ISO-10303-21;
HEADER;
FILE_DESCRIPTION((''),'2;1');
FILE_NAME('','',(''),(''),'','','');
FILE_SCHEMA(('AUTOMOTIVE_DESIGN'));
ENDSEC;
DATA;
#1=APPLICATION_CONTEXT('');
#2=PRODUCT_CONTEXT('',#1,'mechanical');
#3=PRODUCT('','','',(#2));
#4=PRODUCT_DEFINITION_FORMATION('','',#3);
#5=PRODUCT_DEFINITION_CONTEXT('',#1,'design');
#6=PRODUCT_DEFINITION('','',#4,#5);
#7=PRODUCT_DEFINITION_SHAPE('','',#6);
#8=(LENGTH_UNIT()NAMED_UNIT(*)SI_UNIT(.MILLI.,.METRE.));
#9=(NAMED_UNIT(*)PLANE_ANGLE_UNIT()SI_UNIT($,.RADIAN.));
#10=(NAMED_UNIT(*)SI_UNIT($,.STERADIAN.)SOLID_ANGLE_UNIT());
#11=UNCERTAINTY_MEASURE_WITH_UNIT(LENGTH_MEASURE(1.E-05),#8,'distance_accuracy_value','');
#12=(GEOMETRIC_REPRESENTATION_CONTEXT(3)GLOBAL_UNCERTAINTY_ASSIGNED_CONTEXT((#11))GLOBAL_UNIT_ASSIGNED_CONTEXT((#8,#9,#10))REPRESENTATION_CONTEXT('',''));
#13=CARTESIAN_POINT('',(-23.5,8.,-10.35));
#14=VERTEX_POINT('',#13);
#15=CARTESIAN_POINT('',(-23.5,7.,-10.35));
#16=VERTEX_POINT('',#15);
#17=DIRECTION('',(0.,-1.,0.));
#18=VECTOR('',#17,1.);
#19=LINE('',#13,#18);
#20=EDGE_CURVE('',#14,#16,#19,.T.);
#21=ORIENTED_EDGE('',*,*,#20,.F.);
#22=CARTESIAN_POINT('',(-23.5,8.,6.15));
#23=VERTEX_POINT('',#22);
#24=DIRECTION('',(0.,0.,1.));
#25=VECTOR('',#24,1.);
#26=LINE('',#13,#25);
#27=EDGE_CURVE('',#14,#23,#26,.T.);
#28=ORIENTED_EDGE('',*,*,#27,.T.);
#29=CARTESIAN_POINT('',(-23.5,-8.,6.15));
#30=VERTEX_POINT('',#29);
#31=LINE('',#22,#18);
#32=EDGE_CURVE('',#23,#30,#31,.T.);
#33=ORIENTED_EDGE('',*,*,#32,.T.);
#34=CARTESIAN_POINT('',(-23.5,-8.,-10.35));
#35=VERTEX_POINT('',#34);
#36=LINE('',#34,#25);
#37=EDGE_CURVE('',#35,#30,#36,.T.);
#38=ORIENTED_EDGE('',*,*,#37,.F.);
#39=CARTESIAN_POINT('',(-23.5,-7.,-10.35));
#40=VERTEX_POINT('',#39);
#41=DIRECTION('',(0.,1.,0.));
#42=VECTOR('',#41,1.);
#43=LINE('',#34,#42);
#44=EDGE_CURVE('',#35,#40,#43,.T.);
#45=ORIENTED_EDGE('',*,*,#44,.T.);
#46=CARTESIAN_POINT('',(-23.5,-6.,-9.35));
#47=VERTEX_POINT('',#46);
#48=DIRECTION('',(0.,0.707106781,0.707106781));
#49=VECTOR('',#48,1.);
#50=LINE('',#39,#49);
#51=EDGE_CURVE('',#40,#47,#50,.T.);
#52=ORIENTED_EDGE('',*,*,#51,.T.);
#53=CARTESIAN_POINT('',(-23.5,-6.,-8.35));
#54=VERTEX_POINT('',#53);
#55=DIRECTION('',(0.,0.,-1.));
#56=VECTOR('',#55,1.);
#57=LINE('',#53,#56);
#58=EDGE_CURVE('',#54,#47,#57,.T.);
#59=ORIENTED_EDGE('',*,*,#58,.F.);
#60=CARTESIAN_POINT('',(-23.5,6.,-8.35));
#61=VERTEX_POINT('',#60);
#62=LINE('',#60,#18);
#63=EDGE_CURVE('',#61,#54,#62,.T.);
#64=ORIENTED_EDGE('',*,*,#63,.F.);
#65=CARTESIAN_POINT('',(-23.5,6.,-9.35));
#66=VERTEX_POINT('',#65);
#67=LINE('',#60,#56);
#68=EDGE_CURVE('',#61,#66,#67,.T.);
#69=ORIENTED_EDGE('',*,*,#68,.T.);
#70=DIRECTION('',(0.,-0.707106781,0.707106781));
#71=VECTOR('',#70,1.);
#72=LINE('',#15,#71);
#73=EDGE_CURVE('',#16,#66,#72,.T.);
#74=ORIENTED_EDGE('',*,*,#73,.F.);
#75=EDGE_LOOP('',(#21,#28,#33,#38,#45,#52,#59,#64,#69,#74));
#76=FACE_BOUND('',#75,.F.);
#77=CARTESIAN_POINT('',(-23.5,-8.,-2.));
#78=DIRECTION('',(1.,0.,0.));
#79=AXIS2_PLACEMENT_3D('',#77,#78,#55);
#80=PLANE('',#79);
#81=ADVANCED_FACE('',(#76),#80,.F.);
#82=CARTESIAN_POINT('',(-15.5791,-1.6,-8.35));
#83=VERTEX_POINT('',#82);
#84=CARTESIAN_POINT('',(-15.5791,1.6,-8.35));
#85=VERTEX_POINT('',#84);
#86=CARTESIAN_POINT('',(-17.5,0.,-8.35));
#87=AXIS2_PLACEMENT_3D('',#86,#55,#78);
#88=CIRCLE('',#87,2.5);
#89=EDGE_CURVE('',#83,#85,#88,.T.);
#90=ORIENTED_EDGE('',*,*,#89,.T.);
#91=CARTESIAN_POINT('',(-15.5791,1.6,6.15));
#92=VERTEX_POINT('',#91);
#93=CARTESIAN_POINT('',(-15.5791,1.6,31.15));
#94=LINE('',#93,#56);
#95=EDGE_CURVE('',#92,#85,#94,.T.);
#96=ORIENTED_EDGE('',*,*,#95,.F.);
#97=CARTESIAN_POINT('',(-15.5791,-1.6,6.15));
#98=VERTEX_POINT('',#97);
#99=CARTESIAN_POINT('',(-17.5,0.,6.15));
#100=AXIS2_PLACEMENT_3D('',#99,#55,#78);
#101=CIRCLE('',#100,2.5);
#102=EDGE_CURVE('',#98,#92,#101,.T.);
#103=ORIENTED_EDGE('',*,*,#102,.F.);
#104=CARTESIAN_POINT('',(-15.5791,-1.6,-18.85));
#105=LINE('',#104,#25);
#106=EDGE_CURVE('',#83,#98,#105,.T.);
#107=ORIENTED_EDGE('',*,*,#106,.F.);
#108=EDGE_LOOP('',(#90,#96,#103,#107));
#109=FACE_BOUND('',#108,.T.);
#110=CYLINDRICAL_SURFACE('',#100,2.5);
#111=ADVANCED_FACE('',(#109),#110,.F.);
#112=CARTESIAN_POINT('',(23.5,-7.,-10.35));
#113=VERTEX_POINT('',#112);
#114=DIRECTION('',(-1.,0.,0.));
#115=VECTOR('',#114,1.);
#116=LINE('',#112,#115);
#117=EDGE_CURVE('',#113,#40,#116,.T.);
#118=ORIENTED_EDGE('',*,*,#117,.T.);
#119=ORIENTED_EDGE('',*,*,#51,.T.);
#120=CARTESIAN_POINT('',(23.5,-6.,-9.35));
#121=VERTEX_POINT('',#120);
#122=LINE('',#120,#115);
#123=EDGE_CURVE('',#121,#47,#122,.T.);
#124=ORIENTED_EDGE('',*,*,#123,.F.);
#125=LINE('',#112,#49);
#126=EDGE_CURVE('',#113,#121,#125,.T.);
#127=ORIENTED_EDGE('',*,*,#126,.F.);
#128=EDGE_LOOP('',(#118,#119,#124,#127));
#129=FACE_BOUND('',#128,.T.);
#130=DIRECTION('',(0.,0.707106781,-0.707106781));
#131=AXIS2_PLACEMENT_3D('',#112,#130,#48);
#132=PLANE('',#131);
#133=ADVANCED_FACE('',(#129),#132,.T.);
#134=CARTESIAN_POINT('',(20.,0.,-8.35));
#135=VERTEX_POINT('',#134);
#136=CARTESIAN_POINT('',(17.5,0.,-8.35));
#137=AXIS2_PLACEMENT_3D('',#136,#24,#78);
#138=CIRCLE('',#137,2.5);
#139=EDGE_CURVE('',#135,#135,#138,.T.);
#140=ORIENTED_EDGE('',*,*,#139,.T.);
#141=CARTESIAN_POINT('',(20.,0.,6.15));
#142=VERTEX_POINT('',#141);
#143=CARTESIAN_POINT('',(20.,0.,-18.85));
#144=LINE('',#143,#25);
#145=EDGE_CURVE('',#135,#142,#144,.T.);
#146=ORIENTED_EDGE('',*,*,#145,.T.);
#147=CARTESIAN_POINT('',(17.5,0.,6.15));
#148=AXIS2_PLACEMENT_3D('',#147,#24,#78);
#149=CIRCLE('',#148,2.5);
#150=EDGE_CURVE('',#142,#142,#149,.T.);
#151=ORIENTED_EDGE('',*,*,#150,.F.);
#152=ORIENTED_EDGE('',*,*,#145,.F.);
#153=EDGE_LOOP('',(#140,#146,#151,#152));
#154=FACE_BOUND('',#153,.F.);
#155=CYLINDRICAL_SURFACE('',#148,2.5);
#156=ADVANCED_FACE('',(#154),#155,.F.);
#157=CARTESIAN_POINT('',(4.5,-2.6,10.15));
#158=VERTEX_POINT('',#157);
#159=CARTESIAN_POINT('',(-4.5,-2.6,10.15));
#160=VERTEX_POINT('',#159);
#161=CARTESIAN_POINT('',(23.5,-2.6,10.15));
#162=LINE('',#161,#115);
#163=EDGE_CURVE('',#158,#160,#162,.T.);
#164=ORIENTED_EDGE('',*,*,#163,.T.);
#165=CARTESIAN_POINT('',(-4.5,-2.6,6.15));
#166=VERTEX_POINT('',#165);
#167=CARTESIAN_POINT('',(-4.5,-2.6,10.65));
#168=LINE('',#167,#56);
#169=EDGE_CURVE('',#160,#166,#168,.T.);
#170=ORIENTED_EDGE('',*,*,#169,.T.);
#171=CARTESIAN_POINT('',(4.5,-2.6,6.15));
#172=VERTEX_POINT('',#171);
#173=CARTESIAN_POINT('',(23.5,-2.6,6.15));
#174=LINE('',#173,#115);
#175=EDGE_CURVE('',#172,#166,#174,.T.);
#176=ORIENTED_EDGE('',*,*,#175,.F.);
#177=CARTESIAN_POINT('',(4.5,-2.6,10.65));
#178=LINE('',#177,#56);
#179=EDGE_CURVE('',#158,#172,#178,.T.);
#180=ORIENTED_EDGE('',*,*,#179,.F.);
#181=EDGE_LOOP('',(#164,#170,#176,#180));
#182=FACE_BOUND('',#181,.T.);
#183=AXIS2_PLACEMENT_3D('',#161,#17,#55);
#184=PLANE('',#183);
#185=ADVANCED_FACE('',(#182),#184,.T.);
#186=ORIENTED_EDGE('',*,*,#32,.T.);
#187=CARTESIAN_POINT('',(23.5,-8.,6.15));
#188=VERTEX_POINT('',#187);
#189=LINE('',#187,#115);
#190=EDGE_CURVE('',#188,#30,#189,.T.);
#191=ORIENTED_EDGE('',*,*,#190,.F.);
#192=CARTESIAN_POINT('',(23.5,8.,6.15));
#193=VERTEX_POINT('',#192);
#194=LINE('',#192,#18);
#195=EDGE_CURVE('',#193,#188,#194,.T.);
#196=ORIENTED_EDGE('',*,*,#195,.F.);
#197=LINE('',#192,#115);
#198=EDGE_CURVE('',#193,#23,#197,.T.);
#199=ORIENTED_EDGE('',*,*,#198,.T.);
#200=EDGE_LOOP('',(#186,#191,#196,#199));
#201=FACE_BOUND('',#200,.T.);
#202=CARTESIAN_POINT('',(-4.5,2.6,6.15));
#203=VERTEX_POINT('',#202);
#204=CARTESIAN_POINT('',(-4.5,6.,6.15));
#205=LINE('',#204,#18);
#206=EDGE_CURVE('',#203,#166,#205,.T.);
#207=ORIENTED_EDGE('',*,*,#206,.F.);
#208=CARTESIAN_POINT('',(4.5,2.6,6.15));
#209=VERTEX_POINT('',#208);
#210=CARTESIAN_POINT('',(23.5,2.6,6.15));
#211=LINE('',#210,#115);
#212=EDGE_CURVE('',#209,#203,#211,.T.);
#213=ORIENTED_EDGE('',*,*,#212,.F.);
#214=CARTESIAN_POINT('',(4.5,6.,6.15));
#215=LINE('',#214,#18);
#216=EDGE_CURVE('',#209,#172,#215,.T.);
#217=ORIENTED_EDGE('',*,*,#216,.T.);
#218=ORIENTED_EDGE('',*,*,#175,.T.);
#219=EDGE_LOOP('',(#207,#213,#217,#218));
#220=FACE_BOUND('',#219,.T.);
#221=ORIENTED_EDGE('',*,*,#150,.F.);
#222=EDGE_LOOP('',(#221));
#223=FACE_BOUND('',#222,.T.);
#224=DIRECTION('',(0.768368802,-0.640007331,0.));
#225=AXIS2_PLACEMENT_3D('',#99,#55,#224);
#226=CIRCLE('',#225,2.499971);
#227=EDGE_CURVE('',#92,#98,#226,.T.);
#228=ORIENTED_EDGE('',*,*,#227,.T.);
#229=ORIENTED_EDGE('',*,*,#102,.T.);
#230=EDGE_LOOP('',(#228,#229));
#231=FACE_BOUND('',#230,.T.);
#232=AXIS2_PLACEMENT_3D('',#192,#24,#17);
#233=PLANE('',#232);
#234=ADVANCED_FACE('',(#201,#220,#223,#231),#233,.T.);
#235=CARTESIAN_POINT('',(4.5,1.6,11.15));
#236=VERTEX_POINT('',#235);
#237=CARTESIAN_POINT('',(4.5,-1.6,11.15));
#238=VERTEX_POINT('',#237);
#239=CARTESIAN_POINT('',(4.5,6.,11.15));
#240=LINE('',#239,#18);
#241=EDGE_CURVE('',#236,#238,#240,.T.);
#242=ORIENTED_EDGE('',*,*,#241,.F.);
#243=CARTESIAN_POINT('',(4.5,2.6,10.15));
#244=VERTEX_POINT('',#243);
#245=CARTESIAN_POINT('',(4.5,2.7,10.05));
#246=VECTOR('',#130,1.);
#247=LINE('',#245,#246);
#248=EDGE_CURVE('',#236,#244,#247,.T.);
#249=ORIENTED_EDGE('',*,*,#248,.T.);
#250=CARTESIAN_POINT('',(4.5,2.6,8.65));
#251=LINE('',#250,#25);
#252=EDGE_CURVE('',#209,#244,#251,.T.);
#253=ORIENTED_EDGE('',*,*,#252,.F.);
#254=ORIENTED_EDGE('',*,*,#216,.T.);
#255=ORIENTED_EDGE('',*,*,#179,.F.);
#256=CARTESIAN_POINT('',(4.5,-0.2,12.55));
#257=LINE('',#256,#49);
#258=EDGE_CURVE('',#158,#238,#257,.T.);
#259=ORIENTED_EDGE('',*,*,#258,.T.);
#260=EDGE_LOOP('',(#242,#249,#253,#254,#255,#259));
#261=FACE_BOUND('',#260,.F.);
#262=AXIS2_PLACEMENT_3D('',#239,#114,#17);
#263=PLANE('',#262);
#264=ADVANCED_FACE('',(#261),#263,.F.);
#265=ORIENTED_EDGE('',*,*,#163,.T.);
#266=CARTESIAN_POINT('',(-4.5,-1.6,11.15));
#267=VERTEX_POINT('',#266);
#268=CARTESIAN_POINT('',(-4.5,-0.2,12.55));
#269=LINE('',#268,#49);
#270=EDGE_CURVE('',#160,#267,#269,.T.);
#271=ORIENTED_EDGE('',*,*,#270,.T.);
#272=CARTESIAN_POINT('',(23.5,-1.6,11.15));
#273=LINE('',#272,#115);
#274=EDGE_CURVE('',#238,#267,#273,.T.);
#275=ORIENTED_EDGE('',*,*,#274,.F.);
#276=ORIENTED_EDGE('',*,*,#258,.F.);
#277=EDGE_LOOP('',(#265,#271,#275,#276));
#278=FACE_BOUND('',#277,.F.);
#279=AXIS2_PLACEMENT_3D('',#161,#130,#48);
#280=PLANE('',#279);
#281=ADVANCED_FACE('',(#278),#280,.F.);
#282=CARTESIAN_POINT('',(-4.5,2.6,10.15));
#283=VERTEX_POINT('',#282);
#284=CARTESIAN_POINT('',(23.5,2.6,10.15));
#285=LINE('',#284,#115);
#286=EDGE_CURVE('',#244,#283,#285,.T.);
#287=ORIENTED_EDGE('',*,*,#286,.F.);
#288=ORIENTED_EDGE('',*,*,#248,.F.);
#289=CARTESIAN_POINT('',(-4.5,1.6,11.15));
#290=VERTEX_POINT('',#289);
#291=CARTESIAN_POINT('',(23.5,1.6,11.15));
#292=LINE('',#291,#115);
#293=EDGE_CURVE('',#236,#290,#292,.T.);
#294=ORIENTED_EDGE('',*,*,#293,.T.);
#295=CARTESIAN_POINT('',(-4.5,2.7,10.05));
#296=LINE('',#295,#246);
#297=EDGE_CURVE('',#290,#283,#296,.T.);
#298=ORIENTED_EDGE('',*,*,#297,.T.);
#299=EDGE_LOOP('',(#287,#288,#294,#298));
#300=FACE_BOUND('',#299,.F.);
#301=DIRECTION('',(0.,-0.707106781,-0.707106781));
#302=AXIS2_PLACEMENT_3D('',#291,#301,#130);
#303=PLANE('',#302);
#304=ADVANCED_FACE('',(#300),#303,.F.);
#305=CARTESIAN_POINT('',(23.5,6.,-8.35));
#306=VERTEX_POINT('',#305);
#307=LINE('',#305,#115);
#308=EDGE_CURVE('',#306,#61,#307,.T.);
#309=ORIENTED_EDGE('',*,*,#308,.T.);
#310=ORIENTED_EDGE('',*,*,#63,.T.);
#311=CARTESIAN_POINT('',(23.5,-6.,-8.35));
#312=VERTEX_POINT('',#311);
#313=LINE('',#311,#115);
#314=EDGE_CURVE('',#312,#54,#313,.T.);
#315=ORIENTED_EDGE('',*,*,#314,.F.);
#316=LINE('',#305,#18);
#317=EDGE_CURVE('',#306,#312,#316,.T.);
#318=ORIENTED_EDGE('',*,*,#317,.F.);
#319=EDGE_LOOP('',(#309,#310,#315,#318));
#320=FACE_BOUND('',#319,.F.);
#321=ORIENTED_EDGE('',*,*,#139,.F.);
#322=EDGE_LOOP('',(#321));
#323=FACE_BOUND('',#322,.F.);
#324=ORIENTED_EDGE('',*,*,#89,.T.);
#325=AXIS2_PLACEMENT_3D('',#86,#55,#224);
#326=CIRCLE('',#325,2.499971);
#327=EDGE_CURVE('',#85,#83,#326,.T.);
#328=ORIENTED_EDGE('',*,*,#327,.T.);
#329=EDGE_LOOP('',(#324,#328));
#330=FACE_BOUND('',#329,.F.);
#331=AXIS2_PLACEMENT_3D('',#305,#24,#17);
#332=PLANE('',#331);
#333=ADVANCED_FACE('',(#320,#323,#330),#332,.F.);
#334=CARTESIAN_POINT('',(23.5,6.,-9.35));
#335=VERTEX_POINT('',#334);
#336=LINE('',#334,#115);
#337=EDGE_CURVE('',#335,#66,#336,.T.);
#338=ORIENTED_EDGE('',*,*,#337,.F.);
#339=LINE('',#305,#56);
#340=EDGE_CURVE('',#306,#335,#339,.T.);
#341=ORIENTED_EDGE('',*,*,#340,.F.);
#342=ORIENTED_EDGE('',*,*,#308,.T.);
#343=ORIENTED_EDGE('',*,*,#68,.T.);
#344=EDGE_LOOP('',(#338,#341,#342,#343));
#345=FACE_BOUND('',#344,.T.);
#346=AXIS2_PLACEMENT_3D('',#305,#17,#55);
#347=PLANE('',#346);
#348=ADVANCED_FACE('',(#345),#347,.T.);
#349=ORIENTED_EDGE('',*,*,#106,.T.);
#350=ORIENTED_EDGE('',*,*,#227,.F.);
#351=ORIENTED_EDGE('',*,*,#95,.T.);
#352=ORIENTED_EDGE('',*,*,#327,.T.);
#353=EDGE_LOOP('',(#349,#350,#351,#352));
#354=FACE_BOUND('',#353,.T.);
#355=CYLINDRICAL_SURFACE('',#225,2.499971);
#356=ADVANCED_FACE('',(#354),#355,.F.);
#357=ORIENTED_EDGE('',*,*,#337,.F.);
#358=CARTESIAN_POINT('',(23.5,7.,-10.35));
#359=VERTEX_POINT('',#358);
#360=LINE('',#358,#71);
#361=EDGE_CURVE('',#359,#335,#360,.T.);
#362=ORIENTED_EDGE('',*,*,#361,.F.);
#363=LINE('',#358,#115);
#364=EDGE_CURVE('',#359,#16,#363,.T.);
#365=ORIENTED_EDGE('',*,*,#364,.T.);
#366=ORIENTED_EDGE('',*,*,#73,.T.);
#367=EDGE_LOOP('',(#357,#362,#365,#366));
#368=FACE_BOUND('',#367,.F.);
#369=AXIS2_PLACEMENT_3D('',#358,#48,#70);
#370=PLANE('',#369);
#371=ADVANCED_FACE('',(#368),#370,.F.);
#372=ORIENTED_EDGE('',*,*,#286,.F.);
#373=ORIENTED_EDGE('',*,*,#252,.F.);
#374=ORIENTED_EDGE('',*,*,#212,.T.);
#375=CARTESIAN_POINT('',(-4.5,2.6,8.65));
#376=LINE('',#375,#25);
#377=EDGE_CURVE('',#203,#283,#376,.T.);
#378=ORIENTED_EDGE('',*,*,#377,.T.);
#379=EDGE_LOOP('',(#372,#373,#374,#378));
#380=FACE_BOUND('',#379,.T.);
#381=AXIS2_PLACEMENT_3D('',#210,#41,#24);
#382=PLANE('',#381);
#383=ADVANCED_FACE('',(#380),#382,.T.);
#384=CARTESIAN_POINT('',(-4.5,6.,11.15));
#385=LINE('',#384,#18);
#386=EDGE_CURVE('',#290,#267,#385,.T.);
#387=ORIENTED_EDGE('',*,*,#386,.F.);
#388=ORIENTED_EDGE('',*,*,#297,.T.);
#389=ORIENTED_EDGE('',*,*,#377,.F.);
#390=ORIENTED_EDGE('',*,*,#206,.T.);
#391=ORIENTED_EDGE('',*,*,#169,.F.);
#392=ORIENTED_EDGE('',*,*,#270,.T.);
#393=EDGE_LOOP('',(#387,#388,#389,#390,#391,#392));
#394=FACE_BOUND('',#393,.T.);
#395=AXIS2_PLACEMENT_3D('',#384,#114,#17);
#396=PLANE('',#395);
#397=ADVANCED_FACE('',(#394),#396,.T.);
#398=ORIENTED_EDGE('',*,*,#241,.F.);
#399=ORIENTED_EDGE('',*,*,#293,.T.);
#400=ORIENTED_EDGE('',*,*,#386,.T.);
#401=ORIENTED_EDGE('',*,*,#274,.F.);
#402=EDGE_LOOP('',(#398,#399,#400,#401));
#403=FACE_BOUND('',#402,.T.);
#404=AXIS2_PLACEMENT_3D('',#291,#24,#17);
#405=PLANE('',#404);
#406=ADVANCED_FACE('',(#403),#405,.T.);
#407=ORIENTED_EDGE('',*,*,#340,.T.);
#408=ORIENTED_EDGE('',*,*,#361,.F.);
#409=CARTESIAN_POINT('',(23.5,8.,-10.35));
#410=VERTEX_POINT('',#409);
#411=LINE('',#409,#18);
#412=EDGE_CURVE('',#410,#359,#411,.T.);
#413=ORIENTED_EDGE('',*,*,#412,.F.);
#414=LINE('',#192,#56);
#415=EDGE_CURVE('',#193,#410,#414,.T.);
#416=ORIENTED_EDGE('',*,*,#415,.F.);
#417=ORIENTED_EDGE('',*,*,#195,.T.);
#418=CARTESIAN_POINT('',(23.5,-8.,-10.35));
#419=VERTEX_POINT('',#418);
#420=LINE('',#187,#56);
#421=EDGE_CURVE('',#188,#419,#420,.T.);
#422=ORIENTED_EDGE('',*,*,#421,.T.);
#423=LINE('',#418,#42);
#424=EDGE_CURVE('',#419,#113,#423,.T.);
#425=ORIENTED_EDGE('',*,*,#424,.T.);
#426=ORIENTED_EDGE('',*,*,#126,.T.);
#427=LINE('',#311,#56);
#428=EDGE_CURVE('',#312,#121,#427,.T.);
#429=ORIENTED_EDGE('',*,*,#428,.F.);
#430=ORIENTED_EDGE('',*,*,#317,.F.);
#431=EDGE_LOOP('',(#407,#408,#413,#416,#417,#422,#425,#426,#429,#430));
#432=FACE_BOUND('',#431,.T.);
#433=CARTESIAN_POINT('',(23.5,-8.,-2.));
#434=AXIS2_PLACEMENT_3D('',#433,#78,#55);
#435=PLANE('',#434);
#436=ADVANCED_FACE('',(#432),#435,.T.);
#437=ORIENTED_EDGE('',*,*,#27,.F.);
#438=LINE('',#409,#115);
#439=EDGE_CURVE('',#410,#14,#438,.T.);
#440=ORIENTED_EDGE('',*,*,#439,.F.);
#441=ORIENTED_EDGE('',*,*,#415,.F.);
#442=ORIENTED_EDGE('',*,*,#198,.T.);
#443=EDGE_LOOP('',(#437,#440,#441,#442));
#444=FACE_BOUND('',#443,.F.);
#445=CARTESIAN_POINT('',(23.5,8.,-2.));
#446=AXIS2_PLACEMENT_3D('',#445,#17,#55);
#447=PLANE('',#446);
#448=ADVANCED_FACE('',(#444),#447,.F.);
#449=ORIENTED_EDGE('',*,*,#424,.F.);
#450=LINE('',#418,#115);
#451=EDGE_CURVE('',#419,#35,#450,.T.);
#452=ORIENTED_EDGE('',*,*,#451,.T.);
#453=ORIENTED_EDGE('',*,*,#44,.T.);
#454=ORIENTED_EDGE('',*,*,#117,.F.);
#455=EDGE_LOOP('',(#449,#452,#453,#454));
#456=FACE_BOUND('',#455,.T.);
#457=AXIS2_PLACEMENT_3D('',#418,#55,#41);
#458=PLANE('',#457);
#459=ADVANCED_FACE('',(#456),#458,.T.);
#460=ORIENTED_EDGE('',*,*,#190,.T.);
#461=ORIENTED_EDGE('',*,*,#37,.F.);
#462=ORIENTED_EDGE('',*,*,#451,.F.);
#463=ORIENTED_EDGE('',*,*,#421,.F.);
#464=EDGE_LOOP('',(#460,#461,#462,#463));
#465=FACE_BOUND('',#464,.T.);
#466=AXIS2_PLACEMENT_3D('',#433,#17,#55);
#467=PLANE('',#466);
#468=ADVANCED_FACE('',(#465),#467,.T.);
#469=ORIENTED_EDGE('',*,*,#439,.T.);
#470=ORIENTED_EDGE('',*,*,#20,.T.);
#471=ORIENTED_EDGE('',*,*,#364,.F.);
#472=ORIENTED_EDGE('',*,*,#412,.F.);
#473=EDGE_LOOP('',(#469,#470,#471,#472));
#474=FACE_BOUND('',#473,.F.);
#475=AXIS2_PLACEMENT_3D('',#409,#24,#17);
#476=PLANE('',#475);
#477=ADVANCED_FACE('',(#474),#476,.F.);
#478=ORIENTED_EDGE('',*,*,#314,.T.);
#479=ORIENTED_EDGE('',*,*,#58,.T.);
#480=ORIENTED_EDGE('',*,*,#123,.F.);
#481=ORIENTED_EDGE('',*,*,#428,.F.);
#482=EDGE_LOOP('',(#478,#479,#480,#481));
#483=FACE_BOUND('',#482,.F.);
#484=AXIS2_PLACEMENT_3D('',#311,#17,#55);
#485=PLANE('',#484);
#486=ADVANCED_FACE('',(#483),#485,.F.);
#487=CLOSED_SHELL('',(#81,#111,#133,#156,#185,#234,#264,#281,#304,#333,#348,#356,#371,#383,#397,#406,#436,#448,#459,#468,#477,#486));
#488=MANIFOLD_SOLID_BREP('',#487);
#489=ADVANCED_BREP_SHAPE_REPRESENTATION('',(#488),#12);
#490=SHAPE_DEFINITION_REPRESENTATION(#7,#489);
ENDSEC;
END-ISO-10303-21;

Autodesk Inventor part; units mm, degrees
ref_plane "YZ Plane" through (0, 0, 0) normal (1, 0, 0) x (0, 1, 0)
ref_plane "XZ Plane" through (0, 0, 0) normal (0, 1, 0) x (-1, 0, 0)
ref_plane "XY Plane" through (0, 0, 0) normal (0, 0, 1) x (1, 0, 0)
ref_plane "작업 평면1" through (23.5, -8, -2) normal (1, 0, 0) x (0, 0, -1)
sketch "스케치1" plane through (23.5, -8, -2) normal (1, 0, 0) x (0, 0, -1)
  line L0 (0, 16) -> (-8.15, 16) projected
  line L1 (-8.15, 16) -> (-8.15, 10.6) projected
  line L2 (-8.15, 10.6) -> (-12.15, 10.6) projected
  line L3 (-13.15, 9.6) -> (-12.15, 10.6) projected
  line L4 (-13.15, 9.6) -> (-13.15, 6.4) projected
  line L5 (-12.15, 5.4) -> (-13.15, 6.4) projected
  line L6 (-12.15, 5.4) -> (-8.15, 5.4) projected
  line L7 (-8.15, 5.4) -> (-8.15, 0) projected
  line L8 (-8.15, 0) -> (0, 0) projected
  line L9 (0, 16) -> (8.35, 16)
  line L10 (8.35, 16) -> (8.35, 15)
  line L11 (8.35, 15) -> (7.35, 14)
  line L12 (6.35, 14) -> (6.35, 2)
  line L13 (6.35, 14) -> (7.35, 14)
  line L14 (0, 0) -> (8.35, 0)
  line L15 (8.35, 0) -> (8.35, 1)
  line L16 (8.35, 1) -> (7.35, 2)
  line L17 (6.35, 2) -> (7.35, 2)
  line L18 (0, 16) -> (-8.15, 16)
  line L19 (-8.15, 10.6) -> (-12.15, 10.6) projected
  line L20 (-8.15, 10.6) -> (-12.15, 10.6)
  line L21 (-12.15, 10.6) -> (-13.15, 9.6)
  line L22 (-13.15, 6.4) -> (-12.15, 5.4)
  point P0 (-2, 8)
  dimension "d1" = 8.35
sketch "스케치2" plane through (-23.5, 8, 6.15) normal (0, 0, 1) x (1, 0, 0)
  arc A0 (7.9209, -9.6) -> (7.9209, -6.4) centre (6, -8) ccw projected
  line L0 (39.0791, -9.6) -> (7.9209, -9.6) projected
  circle A1 centre (6, -8) radius 2.5
  circle A2 centre (41, -8) radius 2.5 projected
  circle A3 centre (41, -8) radius 2.5
  point P0 (23.5, -8)
  point P1 (7.9209, -6.4)
extrude "돌출1" add sketch "스케치1" against normal up to surface (47 mm away)
extrude "돌출2" cut sketch "스케치2" along normal mid plane 50
sketch "스케치3" plane through (-15.5791, 1.6, 11.15) normal (0, 0, 1) x (1, 0, 0)
  line L0 (15.5791, -14.4593) -> (15.5791, 15.5737)
  line L1 (-7.9209, 4.4) -> (-7.9209, -7.6) projected
  line L2 (-7.9209, 4.4) -> (11.0791, 4.4)
  line L3 (11.0791, 4.4) -> (11.0791, -7.6)
  line L4 (11.0791, -7.6) -> (-7.9209, -7.6)
  line L5 (-7.9209, -7.6) -> (-7.9209, 4.4)
  line L6 (39.0791, 4.4) -> (39.0791, -7.6)
  line L7 (39.0791, 4.4) -> (20.0791, 4.4)
  line L8 (20.0791, 4.4) -> (20.0791, -7.6)
  line L9 (20.0791, -7.6) -> (39.0791, -7.6)
  line L10 (39.0791, -7.6) -> (39.0791, 4.4)
  point P0 (15.5791, -1.6)
  dimension "d9" = 19
extrude "돌출3" cut sketch "스케치3" against normal up to surface (5 mm away)
properties part number "Bearing Spacer_2mmUP"
